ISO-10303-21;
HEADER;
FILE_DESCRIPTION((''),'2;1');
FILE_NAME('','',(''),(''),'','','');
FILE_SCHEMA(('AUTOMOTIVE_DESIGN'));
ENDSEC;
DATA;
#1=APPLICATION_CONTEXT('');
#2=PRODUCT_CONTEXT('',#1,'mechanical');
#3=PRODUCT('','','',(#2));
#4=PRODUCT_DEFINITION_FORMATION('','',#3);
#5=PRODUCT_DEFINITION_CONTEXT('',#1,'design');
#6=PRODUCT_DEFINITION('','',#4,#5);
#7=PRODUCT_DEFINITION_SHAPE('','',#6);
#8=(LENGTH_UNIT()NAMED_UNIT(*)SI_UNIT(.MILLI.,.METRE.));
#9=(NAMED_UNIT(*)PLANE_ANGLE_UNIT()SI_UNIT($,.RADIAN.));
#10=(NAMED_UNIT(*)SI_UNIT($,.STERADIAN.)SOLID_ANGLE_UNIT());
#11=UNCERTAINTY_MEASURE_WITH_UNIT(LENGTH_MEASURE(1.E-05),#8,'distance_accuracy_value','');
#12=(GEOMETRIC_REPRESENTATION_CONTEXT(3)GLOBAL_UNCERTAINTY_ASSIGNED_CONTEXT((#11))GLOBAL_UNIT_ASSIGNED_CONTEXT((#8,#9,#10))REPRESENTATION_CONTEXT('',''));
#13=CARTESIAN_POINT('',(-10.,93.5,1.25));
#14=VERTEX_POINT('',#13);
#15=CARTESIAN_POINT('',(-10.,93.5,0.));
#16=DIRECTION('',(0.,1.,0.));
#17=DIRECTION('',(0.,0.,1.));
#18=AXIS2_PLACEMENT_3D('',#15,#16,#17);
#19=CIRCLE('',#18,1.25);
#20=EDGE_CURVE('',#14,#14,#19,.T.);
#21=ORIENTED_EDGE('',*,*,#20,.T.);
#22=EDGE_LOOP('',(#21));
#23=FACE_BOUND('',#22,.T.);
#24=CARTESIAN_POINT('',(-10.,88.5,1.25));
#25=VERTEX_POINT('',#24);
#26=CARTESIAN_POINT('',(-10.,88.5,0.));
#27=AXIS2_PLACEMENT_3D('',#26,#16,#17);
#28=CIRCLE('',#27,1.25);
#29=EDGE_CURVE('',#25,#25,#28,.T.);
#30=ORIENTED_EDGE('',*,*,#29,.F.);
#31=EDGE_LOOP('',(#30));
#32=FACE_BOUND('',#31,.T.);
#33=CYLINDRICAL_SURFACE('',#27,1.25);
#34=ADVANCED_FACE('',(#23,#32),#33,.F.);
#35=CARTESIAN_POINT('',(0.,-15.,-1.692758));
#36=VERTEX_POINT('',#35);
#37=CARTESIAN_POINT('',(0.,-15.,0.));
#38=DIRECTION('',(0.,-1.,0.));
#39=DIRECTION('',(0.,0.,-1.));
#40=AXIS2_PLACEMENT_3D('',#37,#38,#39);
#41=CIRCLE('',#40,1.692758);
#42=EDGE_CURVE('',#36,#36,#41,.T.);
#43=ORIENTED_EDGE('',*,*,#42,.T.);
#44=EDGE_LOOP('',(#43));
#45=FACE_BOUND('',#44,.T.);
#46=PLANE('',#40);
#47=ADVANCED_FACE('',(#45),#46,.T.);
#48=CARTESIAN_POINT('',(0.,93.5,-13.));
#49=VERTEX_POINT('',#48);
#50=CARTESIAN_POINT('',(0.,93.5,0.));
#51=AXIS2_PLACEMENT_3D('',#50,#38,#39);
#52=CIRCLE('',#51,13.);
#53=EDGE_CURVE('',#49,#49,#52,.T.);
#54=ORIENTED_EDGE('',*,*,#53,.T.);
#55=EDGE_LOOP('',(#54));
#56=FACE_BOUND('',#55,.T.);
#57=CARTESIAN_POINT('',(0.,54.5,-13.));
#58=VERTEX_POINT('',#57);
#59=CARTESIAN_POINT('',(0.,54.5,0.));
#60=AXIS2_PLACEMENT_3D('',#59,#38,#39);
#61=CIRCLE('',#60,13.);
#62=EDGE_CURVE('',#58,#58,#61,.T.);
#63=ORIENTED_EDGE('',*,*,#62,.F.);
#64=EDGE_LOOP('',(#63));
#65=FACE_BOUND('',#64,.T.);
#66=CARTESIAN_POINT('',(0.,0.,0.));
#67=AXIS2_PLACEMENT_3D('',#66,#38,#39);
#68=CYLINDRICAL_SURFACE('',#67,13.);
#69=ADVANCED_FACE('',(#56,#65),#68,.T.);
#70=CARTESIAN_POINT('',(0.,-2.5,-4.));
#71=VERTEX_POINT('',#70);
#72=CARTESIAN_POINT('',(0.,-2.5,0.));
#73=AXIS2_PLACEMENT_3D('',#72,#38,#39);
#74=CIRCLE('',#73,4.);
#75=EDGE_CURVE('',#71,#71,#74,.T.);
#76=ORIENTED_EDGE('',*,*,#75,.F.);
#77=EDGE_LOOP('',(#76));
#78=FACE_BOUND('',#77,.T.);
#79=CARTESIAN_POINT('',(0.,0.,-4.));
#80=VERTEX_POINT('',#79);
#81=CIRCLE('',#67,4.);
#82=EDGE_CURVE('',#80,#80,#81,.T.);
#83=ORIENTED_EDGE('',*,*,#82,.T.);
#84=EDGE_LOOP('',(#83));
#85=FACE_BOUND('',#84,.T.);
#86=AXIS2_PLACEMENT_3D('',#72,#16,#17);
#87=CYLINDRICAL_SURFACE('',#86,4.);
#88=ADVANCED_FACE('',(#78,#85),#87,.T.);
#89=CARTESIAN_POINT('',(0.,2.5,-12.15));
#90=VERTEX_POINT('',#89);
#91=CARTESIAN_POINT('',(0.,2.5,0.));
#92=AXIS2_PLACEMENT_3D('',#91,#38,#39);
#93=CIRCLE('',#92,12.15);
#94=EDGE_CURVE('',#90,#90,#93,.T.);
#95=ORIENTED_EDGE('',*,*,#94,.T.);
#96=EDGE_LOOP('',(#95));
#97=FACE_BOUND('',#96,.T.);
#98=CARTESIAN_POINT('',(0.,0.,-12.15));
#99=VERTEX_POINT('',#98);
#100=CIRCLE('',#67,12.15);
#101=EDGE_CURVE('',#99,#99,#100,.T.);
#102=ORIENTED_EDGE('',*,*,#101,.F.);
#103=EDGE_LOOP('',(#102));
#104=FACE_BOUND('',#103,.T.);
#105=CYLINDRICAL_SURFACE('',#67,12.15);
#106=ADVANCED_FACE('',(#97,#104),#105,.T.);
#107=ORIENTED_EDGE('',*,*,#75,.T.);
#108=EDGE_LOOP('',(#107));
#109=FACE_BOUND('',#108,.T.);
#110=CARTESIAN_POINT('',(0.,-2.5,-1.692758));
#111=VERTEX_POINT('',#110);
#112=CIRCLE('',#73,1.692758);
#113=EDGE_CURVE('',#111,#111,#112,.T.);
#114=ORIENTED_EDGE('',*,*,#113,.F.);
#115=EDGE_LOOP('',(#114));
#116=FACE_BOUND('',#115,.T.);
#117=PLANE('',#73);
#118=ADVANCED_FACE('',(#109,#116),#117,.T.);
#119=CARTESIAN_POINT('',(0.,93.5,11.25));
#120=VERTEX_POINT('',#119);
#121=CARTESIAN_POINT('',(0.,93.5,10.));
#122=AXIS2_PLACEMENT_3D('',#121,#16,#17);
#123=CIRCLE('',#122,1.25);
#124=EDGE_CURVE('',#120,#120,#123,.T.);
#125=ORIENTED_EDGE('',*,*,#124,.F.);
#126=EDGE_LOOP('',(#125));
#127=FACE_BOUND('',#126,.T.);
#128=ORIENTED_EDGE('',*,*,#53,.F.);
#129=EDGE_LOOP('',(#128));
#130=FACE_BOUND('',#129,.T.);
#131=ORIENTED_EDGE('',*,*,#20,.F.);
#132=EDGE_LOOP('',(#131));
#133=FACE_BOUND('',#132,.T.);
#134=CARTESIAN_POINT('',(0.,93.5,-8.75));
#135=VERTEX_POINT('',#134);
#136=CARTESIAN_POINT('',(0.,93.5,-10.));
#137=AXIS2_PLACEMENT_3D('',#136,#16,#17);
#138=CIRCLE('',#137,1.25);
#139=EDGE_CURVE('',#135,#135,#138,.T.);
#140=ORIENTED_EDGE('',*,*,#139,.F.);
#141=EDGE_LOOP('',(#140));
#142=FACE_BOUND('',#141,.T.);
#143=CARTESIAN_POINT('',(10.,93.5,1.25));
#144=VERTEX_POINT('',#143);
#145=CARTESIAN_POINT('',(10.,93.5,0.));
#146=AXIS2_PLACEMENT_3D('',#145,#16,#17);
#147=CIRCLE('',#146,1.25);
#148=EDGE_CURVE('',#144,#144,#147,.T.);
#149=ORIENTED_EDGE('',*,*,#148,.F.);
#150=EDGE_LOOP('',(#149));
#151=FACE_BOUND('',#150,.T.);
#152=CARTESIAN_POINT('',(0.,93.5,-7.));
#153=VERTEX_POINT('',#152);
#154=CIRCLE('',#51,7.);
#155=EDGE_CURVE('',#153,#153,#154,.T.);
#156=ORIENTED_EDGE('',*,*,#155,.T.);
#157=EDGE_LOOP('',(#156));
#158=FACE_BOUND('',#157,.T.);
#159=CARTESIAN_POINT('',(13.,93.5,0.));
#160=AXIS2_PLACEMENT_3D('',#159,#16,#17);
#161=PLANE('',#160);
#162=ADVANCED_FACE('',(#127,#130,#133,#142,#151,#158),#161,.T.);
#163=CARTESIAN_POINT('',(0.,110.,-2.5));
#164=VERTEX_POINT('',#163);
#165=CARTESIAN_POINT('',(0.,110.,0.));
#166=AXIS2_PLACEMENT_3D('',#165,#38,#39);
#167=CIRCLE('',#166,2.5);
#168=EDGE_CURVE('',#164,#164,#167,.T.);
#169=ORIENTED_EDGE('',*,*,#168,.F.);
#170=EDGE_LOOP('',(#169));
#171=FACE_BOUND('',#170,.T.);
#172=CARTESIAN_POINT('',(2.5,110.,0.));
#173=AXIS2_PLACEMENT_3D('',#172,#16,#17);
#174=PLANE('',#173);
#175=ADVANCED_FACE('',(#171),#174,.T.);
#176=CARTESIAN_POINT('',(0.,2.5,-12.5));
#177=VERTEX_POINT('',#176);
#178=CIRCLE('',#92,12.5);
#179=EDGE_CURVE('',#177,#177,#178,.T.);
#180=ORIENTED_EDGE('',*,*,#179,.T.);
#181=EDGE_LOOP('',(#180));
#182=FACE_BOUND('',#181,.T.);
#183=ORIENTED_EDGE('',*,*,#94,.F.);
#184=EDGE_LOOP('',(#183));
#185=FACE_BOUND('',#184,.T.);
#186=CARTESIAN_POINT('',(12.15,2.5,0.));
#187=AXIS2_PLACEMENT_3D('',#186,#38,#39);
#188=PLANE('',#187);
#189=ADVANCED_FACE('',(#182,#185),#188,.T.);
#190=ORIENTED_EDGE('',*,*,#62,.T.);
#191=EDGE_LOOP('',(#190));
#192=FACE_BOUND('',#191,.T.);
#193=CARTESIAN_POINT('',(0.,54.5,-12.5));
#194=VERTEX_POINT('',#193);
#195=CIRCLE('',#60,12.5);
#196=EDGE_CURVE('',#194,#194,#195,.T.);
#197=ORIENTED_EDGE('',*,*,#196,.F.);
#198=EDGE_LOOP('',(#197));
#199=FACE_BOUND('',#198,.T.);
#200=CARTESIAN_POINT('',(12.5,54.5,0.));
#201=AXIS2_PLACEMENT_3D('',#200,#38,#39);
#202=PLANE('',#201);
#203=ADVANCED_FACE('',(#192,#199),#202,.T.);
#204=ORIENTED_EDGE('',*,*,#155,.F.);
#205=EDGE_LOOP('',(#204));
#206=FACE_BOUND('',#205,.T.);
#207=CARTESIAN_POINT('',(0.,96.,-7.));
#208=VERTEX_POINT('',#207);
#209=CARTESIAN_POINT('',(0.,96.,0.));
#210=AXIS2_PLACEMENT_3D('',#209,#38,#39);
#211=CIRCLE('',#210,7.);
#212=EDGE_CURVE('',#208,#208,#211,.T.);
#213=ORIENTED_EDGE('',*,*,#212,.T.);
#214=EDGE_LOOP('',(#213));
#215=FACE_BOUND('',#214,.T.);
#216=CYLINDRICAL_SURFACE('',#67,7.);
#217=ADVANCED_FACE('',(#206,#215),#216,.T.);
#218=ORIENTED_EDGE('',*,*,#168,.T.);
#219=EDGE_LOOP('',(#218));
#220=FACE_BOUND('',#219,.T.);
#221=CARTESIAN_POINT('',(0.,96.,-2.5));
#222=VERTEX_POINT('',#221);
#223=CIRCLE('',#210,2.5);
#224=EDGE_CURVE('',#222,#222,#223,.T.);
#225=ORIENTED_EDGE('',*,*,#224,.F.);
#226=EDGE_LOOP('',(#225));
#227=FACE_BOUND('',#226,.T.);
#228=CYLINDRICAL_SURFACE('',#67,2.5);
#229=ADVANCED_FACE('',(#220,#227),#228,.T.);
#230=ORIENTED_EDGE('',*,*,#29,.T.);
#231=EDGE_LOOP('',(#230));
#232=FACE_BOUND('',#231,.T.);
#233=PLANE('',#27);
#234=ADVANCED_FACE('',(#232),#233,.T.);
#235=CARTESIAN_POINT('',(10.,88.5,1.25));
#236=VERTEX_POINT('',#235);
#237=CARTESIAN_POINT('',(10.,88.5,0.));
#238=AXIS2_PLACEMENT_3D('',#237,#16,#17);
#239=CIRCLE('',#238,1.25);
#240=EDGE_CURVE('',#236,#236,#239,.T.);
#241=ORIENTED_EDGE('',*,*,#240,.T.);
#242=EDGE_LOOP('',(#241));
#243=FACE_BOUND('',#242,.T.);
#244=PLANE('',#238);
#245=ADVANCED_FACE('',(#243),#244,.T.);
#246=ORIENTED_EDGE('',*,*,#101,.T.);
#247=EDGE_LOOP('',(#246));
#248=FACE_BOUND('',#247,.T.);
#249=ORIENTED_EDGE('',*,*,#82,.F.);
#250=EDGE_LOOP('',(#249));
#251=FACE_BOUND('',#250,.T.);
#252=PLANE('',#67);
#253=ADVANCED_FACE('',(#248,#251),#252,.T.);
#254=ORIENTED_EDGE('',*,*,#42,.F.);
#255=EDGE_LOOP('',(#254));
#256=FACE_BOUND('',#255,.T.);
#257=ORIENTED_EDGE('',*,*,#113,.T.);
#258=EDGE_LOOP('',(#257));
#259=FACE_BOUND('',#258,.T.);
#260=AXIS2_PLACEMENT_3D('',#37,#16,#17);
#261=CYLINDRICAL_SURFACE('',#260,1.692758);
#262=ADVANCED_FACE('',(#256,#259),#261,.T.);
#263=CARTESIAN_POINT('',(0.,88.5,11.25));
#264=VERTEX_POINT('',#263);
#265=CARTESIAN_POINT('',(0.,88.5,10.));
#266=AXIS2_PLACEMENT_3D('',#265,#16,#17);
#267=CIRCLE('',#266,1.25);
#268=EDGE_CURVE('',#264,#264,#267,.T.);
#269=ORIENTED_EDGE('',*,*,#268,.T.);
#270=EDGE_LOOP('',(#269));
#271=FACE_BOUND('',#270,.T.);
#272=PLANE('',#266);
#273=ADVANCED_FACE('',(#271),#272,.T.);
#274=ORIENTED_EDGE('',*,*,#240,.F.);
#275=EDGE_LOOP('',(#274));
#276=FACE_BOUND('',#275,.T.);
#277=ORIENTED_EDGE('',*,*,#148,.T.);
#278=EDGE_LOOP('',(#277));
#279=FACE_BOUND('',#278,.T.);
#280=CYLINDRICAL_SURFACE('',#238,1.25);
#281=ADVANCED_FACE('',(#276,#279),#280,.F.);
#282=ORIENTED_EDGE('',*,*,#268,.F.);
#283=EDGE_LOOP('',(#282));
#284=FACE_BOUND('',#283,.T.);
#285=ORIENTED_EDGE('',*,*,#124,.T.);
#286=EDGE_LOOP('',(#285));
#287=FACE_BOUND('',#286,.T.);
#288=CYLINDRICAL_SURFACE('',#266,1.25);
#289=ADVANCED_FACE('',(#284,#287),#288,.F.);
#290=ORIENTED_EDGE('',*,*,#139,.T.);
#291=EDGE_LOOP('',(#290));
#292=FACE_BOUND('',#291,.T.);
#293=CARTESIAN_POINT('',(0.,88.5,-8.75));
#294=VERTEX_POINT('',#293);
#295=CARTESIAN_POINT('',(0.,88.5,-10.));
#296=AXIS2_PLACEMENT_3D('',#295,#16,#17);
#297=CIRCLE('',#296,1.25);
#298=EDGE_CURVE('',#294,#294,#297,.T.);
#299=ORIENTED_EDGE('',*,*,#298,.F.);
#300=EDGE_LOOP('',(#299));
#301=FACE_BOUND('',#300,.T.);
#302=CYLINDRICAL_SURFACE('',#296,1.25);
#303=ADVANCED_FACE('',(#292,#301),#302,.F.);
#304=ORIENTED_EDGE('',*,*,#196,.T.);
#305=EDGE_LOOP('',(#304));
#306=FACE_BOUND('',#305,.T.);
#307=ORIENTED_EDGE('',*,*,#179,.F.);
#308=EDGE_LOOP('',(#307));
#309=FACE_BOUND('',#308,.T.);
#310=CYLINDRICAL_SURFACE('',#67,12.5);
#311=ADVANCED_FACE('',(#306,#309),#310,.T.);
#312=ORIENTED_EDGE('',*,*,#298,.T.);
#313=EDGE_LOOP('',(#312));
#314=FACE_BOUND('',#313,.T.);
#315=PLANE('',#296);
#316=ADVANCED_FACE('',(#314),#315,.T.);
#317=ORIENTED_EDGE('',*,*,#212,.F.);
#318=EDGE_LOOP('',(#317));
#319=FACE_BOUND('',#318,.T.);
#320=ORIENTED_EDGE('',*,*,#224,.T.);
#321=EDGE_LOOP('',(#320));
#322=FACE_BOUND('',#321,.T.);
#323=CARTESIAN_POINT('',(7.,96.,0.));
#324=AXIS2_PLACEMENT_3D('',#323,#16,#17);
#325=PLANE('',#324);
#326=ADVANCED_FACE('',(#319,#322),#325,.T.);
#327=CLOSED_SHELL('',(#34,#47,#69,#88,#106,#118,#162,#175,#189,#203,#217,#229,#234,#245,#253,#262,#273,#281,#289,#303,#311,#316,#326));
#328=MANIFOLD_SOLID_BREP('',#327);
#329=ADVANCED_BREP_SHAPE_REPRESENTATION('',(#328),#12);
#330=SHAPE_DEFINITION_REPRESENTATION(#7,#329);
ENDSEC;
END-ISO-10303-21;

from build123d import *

# Parameters (mm, degrees)
ESQUISSE2_R             = 1.692758077
BOSS_EXTRU_1_DEPTH      = 15
ESQUISSE3_R             = 4
BOSS_EXTRU_2_DEPTH      = 2.5
ESQUISSE4_R             = 1.25
ENL_V_MAT_EXTRU_1_DEPTH = 5


with BuildPart() as part:
    # Esquisse1 → Révolution1 (revolve)
    with BuildSketch(Plane.XY):
        Polygon((0, 0), (12.15, 0), (12.15, 2.5), (12.5, 2.5), (12.5, 54.5), (13, 54.5), (13, 93.5), (7, 93.5), (7, 96), (2.5, 96), (2.5, 110), (0, 110), align=None)
    revolve(axis=Axis((0, 0, 0), (0, 1, 0)))

    # Esquisse2 → Boss.-Extru.1 (add)
    with BuildSketch(Plane.XZ):
        Circle(ESQUISSE2_R)
    extrude(amount=BOSS_EXTRU_1_DEPTH)

    # Esquisse3 → Boss.-Extru.2 (add)
    with BuildSketch(Plane.XZ):
        Circle(ESQUISSE3_R)
    extrude(amount=BOSS_EXTRU_2_DEPTH)

    # Esquisse4 → Enlèv. mat.-Extru.1 (cut)
    with BuildSketch(Plane(origin=(0, 93.5, 0), x_dir=(1, 0, 0), z_dir=(0, 1, 0))):
        with Locations((0, 10)):
            Circle(ESQUISSE4_R)
        with Locations((10, 0)):
            Circle(ESQUISSE4_R)
        with Locations((0, -10)):
            Circle(ESQUISSE4_R)
        with Locations((-10, 0)):
            Circle(ESQUISSE4_R)
    extrude(amount=-ENL_V_MAT_EXTRU_1_DEPTH, mode=Mode.SUBTRACT)


solid = part.part
